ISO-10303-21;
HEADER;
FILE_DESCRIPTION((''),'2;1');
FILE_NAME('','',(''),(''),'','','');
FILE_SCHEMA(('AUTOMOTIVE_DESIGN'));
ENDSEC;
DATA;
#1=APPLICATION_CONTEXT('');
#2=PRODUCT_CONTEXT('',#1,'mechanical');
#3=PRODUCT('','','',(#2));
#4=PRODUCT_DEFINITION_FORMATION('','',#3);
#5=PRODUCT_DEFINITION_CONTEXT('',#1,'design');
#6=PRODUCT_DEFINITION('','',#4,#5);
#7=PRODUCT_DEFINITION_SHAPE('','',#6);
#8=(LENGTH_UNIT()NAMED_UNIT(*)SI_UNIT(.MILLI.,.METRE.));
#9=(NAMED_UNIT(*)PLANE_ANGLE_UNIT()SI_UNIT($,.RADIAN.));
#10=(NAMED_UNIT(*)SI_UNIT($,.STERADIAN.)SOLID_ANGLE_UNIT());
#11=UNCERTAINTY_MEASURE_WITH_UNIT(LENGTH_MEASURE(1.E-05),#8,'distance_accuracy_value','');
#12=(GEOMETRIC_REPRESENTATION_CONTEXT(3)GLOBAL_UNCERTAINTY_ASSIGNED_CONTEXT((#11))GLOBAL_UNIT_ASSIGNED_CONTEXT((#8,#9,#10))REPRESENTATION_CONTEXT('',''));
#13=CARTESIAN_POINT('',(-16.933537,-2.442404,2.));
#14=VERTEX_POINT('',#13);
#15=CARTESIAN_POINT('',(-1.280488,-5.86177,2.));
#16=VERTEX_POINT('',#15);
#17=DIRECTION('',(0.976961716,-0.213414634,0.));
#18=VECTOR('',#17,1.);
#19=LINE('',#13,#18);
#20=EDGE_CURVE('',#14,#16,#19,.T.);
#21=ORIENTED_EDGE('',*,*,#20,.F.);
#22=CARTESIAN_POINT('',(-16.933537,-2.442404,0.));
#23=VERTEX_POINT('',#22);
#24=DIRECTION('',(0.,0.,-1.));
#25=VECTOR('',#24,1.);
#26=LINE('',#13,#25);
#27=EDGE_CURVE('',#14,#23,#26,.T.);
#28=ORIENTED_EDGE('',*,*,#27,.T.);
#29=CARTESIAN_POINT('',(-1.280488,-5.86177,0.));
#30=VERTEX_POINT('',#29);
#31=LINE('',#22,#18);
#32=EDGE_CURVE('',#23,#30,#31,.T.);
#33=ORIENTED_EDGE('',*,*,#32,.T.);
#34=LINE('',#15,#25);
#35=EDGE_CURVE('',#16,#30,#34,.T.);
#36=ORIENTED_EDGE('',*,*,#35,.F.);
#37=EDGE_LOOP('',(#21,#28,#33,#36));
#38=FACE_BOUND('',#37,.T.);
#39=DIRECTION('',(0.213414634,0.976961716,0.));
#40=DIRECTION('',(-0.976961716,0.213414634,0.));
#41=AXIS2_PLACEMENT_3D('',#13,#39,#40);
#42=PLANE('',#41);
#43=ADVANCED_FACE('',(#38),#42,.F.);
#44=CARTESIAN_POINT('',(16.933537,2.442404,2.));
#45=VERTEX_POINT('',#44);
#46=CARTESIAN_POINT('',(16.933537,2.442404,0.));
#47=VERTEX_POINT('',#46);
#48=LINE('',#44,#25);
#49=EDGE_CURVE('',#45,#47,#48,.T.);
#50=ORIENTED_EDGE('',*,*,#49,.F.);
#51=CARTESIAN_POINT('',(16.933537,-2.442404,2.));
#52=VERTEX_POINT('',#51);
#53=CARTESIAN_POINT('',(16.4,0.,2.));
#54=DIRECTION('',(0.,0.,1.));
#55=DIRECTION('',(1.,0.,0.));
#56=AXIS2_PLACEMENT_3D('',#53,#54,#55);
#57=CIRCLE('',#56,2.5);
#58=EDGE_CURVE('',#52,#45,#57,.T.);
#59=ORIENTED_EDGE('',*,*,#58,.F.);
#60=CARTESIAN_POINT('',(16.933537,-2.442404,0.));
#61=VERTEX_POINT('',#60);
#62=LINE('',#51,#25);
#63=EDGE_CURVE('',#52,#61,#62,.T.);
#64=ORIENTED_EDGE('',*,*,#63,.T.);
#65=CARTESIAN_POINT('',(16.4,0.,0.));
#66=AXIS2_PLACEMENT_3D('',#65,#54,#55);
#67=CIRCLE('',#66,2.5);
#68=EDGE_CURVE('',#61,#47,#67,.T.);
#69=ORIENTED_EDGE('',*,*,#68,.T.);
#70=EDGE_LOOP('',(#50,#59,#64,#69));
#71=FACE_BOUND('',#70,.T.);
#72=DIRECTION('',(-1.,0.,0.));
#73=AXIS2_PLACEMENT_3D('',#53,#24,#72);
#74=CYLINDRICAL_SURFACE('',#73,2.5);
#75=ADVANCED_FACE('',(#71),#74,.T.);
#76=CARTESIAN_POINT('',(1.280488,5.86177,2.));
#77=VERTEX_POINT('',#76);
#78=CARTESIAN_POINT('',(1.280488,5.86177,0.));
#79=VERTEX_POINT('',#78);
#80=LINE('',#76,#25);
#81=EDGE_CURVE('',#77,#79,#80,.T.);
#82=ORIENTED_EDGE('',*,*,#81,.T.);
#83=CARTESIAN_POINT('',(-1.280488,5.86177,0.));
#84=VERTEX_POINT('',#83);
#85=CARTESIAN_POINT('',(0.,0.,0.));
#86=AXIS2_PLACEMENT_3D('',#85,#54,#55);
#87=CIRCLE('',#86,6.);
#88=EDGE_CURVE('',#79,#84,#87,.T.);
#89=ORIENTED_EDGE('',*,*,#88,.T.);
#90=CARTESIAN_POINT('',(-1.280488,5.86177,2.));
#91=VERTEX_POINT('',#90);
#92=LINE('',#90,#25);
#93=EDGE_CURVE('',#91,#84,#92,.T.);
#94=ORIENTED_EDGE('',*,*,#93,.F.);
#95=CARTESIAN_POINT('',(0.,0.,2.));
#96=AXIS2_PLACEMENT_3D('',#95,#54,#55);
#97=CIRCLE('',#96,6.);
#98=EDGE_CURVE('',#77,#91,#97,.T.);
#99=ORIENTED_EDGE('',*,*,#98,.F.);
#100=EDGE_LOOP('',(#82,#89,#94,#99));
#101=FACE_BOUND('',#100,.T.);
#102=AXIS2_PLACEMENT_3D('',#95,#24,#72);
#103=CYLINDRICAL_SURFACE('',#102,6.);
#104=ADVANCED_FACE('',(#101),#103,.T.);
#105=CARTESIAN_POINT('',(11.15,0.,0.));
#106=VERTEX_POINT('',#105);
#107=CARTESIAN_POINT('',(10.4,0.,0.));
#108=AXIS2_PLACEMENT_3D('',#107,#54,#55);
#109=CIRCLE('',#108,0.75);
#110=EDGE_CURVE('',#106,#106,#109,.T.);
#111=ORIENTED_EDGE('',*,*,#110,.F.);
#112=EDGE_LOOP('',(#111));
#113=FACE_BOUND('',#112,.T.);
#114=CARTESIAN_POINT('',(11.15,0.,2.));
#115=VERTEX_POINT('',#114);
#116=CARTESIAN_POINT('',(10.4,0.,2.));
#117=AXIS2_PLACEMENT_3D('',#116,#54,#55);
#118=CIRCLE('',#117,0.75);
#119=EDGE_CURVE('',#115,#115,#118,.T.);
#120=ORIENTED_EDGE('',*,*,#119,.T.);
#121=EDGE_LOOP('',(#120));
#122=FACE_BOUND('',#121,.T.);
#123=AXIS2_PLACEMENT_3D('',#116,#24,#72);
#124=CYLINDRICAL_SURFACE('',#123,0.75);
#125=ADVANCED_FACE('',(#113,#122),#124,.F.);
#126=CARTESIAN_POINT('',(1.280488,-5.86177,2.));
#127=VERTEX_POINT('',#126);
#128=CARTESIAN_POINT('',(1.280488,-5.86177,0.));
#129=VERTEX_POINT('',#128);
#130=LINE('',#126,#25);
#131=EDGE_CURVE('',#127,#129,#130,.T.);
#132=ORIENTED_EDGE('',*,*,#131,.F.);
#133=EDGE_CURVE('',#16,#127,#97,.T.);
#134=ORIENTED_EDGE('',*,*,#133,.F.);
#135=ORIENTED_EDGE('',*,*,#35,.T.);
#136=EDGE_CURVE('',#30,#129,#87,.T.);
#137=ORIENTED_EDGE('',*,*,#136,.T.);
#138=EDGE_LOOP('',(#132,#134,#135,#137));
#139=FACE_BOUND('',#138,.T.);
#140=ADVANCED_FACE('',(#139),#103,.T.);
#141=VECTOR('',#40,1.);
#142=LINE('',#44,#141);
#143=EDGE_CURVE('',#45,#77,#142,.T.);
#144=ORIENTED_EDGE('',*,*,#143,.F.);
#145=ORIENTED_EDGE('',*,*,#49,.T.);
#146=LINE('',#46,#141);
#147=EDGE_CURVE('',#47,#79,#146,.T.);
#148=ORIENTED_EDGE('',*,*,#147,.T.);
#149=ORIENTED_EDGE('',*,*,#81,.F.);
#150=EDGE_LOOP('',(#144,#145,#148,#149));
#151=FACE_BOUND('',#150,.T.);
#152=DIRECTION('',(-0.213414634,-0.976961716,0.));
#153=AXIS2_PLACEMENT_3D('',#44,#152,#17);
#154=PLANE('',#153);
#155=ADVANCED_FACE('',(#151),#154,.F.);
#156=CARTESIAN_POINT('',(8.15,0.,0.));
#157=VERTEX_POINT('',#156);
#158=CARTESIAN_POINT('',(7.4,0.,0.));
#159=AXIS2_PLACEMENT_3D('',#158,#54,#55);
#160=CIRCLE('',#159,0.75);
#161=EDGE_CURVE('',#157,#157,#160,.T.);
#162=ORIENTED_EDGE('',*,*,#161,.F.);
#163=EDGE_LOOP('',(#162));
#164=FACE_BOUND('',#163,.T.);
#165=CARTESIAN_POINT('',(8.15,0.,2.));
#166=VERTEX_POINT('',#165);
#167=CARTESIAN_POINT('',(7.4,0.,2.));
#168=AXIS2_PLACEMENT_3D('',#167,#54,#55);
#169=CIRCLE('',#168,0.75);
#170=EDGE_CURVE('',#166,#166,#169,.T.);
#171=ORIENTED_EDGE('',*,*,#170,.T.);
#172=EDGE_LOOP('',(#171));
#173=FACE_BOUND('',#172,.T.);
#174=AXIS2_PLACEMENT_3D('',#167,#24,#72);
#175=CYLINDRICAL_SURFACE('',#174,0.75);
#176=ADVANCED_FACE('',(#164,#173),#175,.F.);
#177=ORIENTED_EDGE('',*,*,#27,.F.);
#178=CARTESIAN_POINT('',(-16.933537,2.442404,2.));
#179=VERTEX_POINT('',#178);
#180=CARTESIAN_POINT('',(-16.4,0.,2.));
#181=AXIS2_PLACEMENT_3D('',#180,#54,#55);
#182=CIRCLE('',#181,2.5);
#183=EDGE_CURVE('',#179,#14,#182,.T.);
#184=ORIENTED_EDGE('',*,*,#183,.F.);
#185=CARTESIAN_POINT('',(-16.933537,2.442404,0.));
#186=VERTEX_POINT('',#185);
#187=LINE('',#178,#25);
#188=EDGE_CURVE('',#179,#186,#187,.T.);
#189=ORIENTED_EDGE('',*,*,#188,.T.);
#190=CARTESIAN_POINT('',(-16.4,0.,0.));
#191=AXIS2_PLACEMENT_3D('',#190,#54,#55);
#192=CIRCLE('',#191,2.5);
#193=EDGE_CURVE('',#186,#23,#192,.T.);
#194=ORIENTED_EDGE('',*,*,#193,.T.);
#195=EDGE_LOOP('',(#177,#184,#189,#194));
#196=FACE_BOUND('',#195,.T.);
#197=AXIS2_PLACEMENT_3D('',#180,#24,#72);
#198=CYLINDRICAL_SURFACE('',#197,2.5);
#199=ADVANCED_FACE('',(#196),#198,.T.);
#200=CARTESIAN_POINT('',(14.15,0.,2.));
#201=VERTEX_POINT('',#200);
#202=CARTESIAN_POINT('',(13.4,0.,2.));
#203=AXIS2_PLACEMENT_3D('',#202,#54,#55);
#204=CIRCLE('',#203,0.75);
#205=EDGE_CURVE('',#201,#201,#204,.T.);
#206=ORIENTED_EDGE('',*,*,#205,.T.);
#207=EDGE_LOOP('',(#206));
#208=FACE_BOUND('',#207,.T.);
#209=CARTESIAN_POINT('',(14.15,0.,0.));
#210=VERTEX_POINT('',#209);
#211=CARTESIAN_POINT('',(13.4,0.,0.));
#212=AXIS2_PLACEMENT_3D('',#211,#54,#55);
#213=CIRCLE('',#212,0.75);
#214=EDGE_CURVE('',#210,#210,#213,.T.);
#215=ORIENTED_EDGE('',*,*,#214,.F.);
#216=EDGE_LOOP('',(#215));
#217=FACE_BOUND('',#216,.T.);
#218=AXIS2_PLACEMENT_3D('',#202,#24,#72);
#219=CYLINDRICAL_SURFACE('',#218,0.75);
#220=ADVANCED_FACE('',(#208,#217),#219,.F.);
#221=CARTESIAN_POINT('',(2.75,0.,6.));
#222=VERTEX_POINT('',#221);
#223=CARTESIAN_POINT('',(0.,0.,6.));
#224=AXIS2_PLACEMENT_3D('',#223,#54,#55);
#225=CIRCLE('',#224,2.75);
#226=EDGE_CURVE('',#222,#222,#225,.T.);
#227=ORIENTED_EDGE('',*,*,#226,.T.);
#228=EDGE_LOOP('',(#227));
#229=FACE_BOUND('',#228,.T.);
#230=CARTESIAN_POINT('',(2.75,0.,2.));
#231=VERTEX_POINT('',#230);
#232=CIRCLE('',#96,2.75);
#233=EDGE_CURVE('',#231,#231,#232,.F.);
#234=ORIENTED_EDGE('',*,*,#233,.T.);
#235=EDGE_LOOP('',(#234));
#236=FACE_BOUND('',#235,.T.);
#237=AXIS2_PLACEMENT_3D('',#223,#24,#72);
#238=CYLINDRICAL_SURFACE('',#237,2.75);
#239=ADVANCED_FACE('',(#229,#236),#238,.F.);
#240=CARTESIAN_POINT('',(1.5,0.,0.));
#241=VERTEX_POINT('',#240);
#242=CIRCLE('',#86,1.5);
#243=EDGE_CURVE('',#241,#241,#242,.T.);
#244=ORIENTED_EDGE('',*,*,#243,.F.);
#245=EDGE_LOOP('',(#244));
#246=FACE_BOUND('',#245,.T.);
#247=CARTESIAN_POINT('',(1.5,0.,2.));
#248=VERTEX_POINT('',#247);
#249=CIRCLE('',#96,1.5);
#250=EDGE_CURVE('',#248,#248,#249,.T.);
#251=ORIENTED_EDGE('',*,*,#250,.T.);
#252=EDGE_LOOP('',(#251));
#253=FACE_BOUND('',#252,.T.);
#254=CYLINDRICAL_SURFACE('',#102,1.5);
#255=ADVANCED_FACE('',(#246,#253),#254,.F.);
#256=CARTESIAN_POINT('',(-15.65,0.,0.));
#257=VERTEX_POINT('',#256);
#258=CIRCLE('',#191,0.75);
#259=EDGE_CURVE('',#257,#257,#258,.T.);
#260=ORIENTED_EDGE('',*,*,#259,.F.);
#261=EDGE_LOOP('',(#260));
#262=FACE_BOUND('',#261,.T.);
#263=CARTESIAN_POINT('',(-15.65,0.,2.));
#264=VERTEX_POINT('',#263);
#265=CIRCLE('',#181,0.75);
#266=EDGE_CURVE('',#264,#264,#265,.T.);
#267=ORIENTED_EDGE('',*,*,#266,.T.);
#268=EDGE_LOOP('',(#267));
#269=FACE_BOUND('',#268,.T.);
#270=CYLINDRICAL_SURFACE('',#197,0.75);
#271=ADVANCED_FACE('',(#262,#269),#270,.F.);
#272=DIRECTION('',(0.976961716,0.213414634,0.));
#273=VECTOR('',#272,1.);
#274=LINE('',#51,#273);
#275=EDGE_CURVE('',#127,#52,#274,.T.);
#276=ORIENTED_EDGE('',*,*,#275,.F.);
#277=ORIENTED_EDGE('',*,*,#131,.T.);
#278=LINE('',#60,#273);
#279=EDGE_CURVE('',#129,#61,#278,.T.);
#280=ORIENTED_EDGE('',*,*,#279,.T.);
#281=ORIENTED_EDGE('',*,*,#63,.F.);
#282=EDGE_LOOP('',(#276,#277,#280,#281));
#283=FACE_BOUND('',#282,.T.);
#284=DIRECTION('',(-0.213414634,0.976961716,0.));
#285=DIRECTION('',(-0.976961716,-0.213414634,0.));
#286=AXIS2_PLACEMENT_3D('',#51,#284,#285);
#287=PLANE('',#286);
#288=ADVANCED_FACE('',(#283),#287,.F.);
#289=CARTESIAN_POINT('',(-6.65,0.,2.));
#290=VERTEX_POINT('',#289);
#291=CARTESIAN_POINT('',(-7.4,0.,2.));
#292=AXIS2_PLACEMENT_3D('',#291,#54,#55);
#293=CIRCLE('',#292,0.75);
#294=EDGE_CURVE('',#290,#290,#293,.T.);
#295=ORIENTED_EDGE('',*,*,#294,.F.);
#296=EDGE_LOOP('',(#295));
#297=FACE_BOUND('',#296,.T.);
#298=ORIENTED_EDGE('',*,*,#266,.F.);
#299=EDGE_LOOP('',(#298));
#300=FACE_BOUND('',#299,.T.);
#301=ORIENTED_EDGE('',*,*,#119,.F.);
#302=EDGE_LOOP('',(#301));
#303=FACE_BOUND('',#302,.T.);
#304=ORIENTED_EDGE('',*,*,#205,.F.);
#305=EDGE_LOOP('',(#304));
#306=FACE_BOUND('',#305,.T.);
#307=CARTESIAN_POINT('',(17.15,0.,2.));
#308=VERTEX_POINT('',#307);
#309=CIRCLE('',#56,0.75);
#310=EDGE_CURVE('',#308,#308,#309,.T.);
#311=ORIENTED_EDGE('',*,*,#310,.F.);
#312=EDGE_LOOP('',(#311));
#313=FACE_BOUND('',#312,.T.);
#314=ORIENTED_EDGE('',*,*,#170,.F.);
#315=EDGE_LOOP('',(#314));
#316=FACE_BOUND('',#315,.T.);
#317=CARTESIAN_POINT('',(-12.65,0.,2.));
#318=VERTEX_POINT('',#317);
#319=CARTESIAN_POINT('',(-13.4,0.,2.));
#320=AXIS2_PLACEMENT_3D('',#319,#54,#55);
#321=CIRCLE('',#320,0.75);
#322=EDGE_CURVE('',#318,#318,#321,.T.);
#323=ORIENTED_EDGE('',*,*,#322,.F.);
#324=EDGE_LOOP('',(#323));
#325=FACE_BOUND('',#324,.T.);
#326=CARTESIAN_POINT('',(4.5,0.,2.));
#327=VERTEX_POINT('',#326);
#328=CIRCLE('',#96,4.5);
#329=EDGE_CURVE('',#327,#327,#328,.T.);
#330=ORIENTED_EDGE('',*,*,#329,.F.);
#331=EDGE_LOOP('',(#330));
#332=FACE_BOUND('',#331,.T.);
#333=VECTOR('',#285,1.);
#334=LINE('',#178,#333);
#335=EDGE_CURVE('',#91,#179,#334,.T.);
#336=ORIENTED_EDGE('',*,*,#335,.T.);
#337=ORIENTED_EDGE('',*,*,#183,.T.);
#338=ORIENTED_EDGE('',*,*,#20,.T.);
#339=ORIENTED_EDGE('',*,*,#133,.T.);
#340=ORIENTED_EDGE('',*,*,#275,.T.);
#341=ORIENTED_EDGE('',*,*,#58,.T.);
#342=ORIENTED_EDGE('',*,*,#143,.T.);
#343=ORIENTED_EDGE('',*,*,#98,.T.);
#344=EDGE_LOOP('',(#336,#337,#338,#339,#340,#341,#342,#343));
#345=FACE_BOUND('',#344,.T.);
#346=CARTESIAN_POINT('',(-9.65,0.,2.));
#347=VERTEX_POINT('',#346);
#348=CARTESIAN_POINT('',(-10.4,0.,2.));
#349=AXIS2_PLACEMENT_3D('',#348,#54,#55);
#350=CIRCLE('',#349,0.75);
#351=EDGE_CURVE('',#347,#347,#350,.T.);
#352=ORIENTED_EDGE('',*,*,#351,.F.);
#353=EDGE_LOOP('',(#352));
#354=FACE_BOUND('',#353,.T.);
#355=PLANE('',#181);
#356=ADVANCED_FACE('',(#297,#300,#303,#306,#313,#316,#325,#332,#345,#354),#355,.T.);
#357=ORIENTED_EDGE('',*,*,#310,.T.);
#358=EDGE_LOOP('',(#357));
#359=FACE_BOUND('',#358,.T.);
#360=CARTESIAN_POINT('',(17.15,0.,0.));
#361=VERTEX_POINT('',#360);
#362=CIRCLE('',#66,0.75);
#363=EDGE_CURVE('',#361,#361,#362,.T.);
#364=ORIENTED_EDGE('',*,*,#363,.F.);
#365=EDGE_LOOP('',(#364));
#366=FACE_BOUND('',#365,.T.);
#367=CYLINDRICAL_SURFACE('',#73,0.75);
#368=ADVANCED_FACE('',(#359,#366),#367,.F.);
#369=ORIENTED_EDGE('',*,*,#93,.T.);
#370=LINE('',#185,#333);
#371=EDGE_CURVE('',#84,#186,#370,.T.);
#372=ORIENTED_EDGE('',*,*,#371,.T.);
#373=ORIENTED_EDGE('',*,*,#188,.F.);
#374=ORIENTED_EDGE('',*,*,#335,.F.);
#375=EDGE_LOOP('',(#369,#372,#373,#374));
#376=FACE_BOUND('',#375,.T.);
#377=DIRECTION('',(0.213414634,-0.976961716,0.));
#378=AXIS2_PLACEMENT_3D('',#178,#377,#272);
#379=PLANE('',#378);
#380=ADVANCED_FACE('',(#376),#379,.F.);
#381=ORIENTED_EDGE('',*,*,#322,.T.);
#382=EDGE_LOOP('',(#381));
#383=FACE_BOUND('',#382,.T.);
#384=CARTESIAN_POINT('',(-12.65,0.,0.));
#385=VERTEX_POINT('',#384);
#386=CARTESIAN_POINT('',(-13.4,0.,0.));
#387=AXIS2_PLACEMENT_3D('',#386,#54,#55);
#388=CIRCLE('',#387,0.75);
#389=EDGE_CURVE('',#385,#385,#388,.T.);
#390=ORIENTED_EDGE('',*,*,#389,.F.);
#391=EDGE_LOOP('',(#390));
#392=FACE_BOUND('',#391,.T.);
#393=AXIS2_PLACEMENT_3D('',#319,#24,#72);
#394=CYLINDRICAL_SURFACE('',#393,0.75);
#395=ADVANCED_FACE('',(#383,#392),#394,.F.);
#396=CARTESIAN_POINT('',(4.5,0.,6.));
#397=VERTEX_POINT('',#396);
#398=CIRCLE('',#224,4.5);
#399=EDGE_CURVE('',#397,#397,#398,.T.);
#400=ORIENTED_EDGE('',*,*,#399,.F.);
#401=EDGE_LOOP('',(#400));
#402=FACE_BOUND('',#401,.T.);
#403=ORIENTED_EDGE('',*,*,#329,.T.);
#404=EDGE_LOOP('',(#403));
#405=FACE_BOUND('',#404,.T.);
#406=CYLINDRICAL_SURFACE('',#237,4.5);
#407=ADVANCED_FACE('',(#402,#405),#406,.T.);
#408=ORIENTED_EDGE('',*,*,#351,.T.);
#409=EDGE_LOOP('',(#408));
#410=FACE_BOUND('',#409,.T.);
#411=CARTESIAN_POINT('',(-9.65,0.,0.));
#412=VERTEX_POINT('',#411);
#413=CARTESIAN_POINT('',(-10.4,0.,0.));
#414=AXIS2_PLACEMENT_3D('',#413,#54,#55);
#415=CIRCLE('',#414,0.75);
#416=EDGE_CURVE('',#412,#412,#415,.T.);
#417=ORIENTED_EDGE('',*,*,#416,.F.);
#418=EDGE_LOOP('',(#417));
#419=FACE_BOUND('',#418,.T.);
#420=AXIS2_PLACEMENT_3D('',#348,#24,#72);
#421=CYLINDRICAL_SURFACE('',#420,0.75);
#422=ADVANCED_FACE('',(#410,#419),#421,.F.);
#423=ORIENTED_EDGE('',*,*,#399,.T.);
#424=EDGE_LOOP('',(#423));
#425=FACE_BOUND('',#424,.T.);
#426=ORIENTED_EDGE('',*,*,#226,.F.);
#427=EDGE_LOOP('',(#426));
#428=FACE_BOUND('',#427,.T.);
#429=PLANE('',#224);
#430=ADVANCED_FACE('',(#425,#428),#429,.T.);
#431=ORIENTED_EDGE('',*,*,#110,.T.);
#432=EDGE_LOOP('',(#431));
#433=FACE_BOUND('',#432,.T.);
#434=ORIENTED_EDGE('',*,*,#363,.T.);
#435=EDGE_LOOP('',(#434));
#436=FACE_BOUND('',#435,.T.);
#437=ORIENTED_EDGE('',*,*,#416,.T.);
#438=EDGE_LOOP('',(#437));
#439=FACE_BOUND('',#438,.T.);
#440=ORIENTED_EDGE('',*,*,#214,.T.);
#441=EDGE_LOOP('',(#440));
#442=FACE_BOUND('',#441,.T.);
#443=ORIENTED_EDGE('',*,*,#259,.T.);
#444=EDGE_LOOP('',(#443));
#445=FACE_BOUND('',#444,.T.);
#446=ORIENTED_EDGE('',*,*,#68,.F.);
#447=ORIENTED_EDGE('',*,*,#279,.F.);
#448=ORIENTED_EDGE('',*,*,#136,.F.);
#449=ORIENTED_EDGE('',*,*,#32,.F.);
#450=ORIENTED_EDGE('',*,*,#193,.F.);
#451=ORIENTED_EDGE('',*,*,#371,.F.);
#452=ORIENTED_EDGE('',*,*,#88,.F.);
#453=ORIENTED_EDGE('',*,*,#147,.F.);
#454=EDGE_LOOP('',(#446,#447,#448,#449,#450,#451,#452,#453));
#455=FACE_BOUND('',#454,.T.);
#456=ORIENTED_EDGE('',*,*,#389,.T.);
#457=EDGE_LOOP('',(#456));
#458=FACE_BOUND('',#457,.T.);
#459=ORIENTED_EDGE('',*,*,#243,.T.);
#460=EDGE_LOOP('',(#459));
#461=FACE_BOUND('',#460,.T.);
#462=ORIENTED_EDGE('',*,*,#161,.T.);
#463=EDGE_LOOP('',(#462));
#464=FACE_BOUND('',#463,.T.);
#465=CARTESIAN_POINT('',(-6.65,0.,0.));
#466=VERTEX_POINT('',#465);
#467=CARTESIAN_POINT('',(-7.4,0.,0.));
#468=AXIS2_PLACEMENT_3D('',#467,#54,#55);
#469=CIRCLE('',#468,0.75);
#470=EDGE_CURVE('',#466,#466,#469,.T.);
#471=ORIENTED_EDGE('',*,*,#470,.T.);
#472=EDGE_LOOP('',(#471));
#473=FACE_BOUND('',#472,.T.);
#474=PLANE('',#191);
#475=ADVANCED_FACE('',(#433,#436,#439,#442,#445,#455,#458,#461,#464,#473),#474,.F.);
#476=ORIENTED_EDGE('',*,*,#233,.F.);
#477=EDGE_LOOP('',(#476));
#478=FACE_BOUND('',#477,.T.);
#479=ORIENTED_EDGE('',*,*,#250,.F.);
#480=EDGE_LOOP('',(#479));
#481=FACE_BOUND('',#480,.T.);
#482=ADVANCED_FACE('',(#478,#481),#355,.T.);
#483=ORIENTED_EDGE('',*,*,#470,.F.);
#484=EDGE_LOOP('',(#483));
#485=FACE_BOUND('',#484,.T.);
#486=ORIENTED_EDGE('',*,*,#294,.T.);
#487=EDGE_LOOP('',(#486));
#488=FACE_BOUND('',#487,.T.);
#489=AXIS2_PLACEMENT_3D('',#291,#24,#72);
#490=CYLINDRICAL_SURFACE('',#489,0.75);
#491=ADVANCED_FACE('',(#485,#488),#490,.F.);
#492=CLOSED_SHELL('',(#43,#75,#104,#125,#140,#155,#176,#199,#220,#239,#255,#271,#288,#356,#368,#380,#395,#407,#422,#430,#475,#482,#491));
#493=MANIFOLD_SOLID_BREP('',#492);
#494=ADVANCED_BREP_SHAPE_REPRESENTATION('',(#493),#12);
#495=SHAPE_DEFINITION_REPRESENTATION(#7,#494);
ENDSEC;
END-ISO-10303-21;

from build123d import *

# Parameters (mm, degrees)
IZIM1_R                     = 1.5
IZIM1_R_2                   = 0.75
Y_KSEKLIK_EKSTR_ZYON1_DEPTH = 2
IZIM2_R                     = 4.5
IZIM2_R_2                   = 2.75
Y_KSEKLIK_EKSTR_ZYON2_DEPTH = 4


with BuildPart() as part:
    # Çizim1 → Yükseklik-Ekstrüzyon1 (new body)
    with BuildSketch(Plane.XY):
        with BuildLine():
            Line((-16.933536585, 2.442404289), (-1.280487805, 5.861770294))
            ThreePointArc((-1.280487805, 5.861770294), (0, 6), (1.280487805, 5.861770294))
            Line((1.280487805, 5.861770294), (16.933536585, 2.442404289))
            ThreePointArc((16.933536585, 2.442404289), (18.9, 0), (16.933536585, -2.442404289))
            Line((16.933536585, -2.442404289), (1.280487805, -5.861770294))
            ThreePointArc((1.280487805, -5.861770294), (0, -6), (-1.280487805, -5.861770294))
            Line((-1.280487805, -5.861770294), (-16.933536585, -2.442404289))
            ThreePointArc((-16.933536585, -2.442404289), (-18.9, 0), (-16.933536585, 2.442404289))
        make_face()
        Circle(IZIM1_R, mode=Mode.SUBTRACT)
        with Locations((7.4, 0)):
            Circle(IZIM1_R_2, mode=Mode.SUBTRACT)
        with Locations((10.4, 0)):
            Circle(IZIM1_R_2, mode=Mode.SUBTRACT)
        with Locations((13.4, 0)):
            Circle(IZIM1_R_2, mode=Mode.SUBTRACT)
        with Locations((16.4, 0)):
            Circle(IZIM1_R_2, mode=Mode.SUBTRACT)
        with Locations((-7.4, 0)):
            Circle(IZIM1_R_2, mode=Mode.SUBTRACT)
        with Locations((-10.4, 0)):
            Circle(IZIM1_R_2, mode=Mode.SUBTRACT)
        with Locations((-13.4, 0)):
            Circle(IZIM1_R_2, mode=Mode.SUBTRACT)
        with Locations((-16.4, 0)):
            Circle(IZIM1_R_2, mode=Mode.SUBTRACT)
    extrude(amount=Y_KSEKLIK_EKSTR_ZYON1_DEPTH)

    # Çizim2 → Yükseklik-Ekstrüzyon2 (add)
    with BuildSketch(Plane.XY.offset(2)):
        Circle(IZIM2_R)
        Circle(IZIM2_R_2, mode=Mode.SUBTRACT)
    extrude(amount=Y_KSEKLIK_EKSTR_ZYON2_DEPTH)


solid = part.part
